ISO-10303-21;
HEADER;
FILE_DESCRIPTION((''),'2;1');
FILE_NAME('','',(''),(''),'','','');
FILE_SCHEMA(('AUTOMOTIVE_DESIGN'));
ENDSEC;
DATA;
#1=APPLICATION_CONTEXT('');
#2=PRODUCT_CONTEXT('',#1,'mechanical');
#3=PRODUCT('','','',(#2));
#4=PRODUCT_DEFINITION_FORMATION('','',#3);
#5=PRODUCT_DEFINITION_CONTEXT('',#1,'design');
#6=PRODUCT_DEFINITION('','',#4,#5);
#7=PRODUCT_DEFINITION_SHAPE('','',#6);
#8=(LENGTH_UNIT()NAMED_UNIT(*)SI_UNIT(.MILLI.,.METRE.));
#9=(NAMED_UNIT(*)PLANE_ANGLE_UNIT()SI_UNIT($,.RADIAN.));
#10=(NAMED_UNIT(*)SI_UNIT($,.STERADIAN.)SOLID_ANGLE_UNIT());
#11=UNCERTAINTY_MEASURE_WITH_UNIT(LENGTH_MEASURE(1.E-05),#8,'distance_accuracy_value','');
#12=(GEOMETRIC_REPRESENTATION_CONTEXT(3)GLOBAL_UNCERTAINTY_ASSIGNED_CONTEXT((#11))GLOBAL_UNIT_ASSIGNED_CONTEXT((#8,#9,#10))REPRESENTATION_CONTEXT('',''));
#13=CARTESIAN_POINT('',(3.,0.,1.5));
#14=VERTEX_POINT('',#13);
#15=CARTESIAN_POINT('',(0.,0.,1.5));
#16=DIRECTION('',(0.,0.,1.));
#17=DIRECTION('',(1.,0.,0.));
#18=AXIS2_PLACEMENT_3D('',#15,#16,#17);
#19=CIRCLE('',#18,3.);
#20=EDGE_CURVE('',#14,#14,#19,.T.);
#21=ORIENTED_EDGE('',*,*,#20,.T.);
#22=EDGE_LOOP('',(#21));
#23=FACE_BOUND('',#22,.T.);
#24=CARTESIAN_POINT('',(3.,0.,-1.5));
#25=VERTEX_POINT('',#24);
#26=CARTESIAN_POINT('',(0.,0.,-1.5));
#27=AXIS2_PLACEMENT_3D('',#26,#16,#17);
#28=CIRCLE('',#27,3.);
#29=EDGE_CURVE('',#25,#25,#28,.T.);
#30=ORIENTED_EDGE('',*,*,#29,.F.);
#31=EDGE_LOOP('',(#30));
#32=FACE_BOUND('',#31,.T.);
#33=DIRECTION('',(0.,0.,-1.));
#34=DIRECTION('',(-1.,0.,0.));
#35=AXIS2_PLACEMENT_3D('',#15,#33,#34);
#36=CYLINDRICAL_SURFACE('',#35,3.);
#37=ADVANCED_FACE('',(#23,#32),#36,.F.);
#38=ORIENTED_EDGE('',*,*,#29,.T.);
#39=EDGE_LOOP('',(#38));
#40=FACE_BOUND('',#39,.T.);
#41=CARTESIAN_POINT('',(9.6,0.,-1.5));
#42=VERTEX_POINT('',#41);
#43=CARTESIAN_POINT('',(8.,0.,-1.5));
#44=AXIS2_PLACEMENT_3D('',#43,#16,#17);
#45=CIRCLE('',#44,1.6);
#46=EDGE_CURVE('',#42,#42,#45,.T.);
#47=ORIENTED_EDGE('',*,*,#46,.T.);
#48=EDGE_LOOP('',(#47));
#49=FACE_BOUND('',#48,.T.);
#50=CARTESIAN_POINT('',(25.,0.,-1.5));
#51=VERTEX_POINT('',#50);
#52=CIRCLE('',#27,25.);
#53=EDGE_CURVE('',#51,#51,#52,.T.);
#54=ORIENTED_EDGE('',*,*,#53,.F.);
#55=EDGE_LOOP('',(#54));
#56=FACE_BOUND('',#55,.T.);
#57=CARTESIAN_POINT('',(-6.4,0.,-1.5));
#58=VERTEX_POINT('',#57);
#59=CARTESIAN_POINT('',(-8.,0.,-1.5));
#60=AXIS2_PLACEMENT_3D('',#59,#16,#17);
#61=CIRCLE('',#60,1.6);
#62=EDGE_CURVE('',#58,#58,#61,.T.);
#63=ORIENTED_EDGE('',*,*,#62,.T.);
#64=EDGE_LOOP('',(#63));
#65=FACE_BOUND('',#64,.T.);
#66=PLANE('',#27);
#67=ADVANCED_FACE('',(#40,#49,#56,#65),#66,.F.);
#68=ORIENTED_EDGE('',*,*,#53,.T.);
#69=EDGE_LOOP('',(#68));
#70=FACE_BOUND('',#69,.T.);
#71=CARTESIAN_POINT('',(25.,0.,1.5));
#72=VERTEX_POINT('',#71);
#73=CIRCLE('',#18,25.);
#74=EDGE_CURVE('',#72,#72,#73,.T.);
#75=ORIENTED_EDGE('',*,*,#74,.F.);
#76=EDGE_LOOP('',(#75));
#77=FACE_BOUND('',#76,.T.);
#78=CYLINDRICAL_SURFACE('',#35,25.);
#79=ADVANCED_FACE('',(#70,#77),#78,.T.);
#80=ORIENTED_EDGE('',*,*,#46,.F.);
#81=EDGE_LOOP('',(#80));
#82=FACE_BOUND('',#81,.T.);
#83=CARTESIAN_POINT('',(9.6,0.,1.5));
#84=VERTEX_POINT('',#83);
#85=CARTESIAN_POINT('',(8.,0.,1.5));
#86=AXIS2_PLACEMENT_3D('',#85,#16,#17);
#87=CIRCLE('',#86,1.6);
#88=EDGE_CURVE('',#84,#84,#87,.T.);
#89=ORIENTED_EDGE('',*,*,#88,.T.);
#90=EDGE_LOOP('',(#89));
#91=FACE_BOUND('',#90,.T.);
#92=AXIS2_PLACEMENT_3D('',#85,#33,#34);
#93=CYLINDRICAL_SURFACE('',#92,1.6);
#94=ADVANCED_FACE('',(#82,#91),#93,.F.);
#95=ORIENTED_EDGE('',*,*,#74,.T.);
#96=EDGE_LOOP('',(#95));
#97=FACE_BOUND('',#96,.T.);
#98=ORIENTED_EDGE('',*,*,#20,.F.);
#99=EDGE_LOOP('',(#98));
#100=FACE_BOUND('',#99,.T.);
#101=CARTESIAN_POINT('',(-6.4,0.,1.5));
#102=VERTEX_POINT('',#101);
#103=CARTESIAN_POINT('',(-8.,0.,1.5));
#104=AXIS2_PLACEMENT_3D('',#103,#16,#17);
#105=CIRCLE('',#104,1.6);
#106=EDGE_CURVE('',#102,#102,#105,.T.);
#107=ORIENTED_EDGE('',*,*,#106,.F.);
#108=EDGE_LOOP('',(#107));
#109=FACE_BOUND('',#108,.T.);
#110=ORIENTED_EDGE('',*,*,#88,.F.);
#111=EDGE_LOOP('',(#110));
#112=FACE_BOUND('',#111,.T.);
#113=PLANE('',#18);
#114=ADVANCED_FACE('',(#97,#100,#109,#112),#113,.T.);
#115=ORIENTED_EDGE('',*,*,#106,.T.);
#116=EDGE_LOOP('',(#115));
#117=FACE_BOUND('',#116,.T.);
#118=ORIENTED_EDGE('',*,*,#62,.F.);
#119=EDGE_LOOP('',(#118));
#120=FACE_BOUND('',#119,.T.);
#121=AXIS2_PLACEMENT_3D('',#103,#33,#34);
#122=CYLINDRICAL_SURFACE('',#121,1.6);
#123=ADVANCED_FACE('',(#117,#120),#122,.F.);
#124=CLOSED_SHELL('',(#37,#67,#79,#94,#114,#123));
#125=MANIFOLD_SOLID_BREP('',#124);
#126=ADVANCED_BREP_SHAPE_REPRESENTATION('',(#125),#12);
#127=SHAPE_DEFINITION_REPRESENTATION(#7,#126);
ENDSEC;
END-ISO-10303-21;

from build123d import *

# Parameters (mm, degrees)
ESBO_O1_R                = 25
ESBO_O1_R_2              = 3
ESBO_O1_R_3              = 1.6
RESSALTO_EXTRUS_O1_DEPTH = 1.5


with BuildPart() as part:
    # Esboço1 → Ressalto-extrusão1 (new body, symmetric)
    with BuildSketch(Plane.XY):
        Circle(ESBO_O1_R)
        Circle(ESBO_O1_R_2, mode=Mode.SUBTRACT)
        with Locations((-8, 0)):
            Circle(ESBO_O1_R_3, mode=Mode.SUBTRACT)
        with Locations((8, 0)):
            Circle(ESBO_O1_R_3, mode=Mode.SUBTRACT)
    extrude(amount=RESSALTO_EXTRUS_O1_DEPTH, both=True)


solid = part.part
